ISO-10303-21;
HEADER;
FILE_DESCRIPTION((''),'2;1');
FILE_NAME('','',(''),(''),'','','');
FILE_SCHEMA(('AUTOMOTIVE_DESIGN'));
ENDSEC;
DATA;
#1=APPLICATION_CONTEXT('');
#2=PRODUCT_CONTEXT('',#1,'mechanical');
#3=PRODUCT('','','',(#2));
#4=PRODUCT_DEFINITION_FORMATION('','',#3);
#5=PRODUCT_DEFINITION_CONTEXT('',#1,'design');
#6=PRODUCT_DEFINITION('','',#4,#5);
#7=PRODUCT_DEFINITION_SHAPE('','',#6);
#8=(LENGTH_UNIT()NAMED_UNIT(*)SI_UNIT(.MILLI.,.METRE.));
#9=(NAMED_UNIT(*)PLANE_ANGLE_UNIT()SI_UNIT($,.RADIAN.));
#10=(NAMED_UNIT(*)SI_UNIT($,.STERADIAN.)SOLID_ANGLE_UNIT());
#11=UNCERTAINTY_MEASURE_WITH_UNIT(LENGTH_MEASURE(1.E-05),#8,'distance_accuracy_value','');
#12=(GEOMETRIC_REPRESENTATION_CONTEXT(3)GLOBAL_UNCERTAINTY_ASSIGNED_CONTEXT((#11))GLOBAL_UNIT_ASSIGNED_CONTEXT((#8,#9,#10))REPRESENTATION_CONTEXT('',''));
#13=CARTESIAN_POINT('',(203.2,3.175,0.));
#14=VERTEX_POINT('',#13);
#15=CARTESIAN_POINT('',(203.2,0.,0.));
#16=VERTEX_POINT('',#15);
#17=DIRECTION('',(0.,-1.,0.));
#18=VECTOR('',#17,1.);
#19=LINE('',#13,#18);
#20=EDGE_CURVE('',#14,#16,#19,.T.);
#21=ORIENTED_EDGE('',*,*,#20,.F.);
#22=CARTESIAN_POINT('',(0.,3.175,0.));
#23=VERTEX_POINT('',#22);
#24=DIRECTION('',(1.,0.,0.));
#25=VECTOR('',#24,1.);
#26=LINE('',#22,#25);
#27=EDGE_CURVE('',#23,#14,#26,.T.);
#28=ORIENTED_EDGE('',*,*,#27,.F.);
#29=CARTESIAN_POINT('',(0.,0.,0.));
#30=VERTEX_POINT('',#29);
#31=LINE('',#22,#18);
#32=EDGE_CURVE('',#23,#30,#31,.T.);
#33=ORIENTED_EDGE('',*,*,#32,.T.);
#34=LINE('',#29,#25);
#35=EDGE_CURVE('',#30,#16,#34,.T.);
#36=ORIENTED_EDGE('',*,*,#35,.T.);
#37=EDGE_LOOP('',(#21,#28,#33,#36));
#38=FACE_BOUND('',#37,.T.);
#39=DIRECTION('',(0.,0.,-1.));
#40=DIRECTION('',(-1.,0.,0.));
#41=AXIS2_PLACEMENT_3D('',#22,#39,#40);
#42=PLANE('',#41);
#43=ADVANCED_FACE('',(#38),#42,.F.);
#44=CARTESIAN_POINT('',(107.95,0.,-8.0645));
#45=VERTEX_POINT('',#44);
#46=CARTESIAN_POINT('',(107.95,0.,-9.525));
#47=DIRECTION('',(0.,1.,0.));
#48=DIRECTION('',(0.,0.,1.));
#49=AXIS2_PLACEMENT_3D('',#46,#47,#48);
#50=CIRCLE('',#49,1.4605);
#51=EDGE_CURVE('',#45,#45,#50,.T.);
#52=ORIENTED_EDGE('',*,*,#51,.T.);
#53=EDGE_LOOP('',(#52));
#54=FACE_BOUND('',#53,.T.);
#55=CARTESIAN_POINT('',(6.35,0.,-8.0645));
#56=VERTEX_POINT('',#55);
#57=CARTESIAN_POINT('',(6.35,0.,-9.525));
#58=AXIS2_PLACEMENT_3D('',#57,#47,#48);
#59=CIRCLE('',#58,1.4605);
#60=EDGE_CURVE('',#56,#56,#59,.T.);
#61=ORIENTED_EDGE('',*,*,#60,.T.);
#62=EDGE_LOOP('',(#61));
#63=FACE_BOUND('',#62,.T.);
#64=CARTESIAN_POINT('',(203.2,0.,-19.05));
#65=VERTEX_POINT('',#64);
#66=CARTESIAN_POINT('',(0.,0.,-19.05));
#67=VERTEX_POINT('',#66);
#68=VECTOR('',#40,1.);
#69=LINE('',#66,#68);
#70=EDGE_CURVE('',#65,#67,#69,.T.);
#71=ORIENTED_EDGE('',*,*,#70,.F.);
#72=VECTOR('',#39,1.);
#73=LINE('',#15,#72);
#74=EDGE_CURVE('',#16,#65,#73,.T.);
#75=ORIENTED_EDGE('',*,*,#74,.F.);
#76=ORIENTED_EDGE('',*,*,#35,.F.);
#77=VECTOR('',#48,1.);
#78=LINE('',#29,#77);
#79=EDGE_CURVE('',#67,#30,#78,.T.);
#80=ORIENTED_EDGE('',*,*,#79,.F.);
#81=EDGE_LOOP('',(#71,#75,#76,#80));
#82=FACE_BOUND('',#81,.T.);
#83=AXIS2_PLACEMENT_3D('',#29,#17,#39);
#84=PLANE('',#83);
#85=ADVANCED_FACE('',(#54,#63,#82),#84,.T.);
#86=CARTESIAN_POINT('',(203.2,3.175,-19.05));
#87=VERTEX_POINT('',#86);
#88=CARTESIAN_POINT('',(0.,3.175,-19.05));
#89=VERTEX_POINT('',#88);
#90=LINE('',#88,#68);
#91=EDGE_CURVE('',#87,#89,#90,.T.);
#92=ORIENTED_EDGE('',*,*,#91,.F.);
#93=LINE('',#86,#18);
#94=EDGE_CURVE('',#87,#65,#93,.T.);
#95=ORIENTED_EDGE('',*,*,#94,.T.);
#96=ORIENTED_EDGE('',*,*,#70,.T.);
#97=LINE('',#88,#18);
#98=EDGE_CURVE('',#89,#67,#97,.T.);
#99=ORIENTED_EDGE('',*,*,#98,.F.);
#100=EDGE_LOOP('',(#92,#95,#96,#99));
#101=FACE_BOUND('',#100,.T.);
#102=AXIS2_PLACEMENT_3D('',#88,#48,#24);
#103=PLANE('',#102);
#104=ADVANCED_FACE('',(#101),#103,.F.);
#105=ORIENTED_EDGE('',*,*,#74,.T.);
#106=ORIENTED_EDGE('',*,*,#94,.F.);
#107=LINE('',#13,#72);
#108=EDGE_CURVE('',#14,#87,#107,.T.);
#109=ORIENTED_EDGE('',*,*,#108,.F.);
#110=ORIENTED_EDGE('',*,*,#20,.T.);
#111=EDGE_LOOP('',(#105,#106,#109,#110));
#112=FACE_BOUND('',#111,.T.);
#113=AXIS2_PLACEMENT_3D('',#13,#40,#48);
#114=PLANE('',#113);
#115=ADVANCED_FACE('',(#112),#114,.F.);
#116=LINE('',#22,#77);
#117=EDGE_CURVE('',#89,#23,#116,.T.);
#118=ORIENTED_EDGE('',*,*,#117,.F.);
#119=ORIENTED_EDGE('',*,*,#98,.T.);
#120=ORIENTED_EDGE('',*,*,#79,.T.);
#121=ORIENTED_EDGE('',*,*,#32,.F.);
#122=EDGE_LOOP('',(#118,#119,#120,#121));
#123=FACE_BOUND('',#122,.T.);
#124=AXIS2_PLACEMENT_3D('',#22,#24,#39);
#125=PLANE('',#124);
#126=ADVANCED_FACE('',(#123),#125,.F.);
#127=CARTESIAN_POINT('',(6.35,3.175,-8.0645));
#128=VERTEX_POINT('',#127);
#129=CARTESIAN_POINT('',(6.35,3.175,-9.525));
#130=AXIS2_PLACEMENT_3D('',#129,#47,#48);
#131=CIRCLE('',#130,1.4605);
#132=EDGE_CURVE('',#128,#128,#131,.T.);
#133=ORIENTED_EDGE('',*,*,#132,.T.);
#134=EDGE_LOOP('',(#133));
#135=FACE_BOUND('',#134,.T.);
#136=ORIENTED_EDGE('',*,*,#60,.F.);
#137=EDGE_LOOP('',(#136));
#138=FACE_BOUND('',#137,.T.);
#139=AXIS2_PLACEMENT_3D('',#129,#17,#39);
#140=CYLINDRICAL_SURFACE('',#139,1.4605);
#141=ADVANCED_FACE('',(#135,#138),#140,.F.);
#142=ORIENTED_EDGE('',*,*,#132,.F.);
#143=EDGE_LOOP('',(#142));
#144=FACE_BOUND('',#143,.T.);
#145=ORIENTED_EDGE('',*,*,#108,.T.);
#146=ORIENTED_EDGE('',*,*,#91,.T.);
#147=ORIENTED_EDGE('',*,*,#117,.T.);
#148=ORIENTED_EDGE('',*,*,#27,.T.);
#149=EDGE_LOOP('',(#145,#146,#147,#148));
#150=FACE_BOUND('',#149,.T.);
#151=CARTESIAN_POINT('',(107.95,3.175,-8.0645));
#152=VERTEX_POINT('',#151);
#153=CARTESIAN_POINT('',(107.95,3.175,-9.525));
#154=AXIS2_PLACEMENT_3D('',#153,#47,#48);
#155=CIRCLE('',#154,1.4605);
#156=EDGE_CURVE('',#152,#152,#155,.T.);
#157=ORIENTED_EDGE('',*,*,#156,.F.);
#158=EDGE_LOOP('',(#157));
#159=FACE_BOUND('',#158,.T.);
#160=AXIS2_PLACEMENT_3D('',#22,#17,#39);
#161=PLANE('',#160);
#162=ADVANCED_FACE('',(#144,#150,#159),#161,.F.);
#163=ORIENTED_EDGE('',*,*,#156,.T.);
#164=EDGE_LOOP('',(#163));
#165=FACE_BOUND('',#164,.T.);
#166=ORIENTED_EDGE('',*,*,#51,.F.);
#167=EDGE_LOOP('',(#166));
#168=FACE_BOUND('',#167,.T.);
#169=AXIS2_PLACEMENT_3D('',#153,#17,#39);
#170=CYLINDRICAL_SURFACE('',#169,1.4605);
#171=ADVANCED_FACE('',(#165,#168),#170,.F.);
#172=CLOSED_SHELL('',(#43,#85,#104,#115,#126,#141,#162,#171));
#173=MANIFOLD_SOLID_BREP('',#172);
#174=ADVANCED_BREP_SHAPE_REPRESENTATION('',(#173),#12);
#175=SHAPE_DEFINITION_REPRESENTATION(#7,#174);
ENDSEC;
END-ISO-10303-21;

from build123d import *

# Parameters (mm, degrees)
SKETCH1_W           = 203.2
SKETCH1_H           = 19.05
SKETCH1_R           = 1.4605
BOSS_EXTRUDE1_DEPTH = 3.175


with BuildPart() as part:
    # Sketch1 → Boss-Extrude1 (new body)
    with BuildSketch(Plane(origin=(0, 0, 0), x_dir=(1, 0, 0), z_dir=(0, 1, 0))):
        with Locations((101.6, 9.525)):
            Rectangle(SKETCH1_W, SKETCH1_H)
        with Locations(Location((6.35, 9.525, 0), (0, 0, 270))):
            Circle(SKETCH1_R, mode=Mode.SUBTRACT)
        with Locations(Location((107.95, 9.525, 0), (0, 0, 270))):
            Circle(SKETCH1_R, mode=Mode.SUBTRACT)
    extrude(amount=BOSS_EXTRUDE1_DEPTH)


solid = part.part
